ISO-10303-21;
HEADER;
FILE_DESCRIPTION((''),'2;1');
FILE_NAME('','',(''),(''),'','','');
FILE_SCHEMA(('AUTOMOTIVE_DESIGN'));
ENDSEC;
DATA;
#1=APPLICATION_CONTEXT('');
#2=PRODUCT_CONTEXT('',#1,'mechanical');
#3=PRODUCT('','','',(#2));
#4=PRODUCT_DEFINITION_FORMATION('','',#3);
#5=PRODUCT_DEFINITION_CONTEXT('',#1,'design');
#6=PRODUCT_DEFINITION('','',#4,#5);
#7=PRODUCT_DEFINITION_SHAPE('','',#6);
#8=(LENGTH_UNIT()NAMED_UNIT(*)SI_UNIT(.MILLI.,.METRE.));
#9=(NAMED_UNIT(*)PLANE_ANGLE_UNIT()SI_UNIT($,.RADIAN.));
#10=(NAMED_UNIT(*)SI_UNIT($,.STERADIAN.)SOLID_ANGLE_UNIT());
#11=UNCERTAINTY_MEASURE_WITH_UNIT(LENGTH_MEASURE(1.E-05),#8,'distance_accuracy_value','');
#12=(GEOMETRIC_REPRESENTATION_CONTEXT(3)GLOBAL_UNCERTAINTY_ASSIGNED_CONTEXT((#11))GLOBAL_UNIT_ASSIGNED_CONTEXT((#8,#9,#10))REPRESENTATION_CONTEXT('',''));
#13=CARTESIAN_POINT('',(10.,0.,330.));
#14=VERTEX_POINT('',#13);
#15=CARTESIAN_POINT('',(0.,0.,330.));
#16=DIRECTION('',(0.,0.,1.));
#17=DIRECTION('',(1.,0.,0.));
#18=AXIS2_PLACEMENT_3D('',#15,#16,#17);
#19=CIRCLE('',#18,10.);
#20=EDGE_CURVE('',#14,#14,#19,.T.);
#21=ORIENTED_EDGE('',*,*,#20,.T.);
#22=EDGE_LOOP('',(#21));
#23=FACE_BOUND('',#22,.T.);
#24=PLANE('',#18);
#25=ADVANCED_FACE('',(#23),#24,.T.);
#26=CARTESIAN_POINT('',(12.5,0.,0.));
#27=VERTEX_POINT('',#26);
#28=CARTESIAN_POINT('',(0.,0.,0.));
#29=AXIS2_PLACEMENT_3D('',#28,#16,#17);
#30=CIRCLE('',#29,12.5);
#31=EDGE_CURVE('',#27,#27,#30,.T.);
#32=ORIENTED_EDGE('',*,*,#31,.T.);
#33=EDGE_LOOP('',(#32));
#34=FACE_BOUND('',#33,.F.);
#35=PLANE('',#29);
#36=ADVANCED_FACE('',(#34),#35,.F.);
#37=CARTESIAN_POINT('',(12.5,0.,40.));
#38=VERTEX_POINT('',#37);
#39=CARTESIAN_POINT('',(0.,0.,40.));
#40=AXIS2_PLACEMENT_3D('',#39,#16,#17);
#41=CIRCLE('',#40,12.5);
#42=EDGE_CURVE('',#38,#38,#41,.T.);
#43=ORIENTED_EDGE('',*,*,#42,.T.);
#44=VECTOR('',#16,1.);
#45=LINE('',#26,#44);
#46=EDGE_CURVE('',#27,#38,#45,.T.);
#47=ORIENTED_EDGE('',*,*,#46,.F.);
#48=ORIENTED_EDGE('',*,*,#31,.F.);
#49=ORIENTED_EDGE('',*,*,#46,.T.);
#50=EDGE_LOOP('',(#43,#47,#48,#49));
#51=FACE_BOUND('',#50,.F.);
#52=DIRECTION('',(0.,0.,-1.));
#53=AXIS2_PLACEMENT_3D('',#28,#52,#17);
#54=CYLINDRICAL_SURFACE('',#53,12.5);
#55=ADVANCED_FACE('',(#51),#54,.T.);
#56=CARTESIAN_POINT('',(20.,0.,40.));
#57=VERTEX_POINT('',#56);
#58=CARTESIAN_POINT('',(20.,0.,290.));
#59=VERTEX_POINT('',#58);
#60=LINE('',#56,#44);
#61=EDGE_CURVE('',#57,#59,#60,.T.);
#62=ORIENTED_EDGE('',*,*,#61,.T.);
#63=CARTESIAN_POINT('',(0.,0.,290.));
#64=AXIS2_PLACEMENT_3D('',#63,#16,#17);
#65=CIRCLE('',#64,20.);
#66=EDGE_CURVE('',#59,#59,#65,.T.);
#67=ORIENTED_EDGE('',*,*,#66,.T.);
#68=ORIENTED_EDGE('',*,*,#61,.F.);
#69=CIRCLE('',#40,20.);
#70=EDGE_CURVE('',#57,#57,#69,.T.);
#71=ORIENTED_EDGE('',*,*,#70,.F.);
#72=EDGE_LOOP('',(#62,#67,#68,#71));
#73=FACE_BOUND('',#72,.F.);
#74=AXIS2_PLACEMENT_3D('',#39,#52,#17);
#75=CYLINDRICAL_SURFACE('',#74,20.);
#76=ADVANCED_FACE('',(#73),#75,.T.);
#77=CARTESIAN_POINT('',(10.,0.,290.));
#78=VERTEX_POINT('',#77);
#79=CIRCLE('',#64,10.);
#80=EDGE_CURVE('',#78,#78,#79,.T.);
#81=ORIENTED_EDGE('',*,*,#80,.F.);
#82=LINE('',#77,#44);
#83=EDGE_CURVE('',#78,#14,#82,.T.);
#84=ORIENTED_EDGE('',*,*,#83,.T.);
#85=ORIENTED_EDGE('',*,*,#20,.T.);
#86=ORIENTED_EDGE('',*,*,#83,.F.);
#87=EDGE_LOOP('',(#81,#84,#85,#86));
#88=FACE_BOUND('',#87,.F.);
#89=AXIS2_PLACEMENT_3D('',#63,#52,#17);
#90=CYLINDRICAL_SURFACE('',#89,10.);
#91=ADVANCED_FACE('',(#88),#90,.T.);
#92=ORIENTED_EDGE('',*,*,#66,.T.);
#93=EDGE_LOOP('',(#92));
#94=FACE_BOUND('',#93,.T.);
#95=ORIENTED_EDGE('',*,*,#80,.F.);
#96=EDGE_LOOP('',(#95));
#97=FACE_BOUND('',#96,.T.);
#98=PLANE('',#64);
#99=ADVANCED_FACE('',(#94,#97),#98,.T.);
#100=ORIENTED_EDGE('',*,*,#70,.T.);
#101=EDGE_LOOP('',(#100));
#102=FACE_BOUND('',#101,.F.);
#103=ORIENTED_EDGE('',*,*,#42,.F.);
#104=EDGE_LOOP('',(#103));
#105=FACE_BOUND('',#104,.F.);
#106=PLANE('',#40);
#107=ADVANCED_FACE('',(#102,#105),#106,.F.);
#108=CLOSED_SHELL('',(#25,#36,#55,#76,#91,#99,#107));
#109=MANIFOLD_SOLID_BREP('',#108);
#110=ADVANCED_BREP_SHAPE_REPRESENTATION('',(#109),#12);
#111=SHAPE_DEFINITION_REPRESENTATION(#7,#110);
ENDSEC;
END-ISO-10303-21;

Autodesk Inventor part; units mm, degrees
ref_plane "YZ Plane" through (0, 0, 0) normal (1, 0, 0) x (0, 1, 0)
ref_plane "XZ Plane" through (0, 0, 0) normal (0, 1, 0) x (-1, 0, 0)
ref_plane "XY Plane" through (0, 0, 0) normal (0, 0, 1) x (1, 0, 0)
sketch "草图1" plane through (0, 0, 0) normal (0, 0, 1) x (1, 0, 0)
  circle A0 centre (0, 0) radius 12.5
  dimension "d0" = 25
extrude "拉伸1" add sketch "草图1" along normal blind 40
sketch "草图2" plane through (0, 0, 40) normal (0, 0, 1) x (1, 0, 0)
  circle A0 centre (0, 0) radius 20 projected
  point P0 (0, 0)
extrude "拉伸2" add sketch "草图2" along normal blind 250
sketch "草图3" plane through (0, 0, 290) normal (0, 0, 1) x (1, 0, 0)
  circle A0 centre (0, 0) radius 10
  dimension "d5" = 20
extrude "拉伸3" add sketch "草图3" along normal blind 40
properties part number "传动轴2"
